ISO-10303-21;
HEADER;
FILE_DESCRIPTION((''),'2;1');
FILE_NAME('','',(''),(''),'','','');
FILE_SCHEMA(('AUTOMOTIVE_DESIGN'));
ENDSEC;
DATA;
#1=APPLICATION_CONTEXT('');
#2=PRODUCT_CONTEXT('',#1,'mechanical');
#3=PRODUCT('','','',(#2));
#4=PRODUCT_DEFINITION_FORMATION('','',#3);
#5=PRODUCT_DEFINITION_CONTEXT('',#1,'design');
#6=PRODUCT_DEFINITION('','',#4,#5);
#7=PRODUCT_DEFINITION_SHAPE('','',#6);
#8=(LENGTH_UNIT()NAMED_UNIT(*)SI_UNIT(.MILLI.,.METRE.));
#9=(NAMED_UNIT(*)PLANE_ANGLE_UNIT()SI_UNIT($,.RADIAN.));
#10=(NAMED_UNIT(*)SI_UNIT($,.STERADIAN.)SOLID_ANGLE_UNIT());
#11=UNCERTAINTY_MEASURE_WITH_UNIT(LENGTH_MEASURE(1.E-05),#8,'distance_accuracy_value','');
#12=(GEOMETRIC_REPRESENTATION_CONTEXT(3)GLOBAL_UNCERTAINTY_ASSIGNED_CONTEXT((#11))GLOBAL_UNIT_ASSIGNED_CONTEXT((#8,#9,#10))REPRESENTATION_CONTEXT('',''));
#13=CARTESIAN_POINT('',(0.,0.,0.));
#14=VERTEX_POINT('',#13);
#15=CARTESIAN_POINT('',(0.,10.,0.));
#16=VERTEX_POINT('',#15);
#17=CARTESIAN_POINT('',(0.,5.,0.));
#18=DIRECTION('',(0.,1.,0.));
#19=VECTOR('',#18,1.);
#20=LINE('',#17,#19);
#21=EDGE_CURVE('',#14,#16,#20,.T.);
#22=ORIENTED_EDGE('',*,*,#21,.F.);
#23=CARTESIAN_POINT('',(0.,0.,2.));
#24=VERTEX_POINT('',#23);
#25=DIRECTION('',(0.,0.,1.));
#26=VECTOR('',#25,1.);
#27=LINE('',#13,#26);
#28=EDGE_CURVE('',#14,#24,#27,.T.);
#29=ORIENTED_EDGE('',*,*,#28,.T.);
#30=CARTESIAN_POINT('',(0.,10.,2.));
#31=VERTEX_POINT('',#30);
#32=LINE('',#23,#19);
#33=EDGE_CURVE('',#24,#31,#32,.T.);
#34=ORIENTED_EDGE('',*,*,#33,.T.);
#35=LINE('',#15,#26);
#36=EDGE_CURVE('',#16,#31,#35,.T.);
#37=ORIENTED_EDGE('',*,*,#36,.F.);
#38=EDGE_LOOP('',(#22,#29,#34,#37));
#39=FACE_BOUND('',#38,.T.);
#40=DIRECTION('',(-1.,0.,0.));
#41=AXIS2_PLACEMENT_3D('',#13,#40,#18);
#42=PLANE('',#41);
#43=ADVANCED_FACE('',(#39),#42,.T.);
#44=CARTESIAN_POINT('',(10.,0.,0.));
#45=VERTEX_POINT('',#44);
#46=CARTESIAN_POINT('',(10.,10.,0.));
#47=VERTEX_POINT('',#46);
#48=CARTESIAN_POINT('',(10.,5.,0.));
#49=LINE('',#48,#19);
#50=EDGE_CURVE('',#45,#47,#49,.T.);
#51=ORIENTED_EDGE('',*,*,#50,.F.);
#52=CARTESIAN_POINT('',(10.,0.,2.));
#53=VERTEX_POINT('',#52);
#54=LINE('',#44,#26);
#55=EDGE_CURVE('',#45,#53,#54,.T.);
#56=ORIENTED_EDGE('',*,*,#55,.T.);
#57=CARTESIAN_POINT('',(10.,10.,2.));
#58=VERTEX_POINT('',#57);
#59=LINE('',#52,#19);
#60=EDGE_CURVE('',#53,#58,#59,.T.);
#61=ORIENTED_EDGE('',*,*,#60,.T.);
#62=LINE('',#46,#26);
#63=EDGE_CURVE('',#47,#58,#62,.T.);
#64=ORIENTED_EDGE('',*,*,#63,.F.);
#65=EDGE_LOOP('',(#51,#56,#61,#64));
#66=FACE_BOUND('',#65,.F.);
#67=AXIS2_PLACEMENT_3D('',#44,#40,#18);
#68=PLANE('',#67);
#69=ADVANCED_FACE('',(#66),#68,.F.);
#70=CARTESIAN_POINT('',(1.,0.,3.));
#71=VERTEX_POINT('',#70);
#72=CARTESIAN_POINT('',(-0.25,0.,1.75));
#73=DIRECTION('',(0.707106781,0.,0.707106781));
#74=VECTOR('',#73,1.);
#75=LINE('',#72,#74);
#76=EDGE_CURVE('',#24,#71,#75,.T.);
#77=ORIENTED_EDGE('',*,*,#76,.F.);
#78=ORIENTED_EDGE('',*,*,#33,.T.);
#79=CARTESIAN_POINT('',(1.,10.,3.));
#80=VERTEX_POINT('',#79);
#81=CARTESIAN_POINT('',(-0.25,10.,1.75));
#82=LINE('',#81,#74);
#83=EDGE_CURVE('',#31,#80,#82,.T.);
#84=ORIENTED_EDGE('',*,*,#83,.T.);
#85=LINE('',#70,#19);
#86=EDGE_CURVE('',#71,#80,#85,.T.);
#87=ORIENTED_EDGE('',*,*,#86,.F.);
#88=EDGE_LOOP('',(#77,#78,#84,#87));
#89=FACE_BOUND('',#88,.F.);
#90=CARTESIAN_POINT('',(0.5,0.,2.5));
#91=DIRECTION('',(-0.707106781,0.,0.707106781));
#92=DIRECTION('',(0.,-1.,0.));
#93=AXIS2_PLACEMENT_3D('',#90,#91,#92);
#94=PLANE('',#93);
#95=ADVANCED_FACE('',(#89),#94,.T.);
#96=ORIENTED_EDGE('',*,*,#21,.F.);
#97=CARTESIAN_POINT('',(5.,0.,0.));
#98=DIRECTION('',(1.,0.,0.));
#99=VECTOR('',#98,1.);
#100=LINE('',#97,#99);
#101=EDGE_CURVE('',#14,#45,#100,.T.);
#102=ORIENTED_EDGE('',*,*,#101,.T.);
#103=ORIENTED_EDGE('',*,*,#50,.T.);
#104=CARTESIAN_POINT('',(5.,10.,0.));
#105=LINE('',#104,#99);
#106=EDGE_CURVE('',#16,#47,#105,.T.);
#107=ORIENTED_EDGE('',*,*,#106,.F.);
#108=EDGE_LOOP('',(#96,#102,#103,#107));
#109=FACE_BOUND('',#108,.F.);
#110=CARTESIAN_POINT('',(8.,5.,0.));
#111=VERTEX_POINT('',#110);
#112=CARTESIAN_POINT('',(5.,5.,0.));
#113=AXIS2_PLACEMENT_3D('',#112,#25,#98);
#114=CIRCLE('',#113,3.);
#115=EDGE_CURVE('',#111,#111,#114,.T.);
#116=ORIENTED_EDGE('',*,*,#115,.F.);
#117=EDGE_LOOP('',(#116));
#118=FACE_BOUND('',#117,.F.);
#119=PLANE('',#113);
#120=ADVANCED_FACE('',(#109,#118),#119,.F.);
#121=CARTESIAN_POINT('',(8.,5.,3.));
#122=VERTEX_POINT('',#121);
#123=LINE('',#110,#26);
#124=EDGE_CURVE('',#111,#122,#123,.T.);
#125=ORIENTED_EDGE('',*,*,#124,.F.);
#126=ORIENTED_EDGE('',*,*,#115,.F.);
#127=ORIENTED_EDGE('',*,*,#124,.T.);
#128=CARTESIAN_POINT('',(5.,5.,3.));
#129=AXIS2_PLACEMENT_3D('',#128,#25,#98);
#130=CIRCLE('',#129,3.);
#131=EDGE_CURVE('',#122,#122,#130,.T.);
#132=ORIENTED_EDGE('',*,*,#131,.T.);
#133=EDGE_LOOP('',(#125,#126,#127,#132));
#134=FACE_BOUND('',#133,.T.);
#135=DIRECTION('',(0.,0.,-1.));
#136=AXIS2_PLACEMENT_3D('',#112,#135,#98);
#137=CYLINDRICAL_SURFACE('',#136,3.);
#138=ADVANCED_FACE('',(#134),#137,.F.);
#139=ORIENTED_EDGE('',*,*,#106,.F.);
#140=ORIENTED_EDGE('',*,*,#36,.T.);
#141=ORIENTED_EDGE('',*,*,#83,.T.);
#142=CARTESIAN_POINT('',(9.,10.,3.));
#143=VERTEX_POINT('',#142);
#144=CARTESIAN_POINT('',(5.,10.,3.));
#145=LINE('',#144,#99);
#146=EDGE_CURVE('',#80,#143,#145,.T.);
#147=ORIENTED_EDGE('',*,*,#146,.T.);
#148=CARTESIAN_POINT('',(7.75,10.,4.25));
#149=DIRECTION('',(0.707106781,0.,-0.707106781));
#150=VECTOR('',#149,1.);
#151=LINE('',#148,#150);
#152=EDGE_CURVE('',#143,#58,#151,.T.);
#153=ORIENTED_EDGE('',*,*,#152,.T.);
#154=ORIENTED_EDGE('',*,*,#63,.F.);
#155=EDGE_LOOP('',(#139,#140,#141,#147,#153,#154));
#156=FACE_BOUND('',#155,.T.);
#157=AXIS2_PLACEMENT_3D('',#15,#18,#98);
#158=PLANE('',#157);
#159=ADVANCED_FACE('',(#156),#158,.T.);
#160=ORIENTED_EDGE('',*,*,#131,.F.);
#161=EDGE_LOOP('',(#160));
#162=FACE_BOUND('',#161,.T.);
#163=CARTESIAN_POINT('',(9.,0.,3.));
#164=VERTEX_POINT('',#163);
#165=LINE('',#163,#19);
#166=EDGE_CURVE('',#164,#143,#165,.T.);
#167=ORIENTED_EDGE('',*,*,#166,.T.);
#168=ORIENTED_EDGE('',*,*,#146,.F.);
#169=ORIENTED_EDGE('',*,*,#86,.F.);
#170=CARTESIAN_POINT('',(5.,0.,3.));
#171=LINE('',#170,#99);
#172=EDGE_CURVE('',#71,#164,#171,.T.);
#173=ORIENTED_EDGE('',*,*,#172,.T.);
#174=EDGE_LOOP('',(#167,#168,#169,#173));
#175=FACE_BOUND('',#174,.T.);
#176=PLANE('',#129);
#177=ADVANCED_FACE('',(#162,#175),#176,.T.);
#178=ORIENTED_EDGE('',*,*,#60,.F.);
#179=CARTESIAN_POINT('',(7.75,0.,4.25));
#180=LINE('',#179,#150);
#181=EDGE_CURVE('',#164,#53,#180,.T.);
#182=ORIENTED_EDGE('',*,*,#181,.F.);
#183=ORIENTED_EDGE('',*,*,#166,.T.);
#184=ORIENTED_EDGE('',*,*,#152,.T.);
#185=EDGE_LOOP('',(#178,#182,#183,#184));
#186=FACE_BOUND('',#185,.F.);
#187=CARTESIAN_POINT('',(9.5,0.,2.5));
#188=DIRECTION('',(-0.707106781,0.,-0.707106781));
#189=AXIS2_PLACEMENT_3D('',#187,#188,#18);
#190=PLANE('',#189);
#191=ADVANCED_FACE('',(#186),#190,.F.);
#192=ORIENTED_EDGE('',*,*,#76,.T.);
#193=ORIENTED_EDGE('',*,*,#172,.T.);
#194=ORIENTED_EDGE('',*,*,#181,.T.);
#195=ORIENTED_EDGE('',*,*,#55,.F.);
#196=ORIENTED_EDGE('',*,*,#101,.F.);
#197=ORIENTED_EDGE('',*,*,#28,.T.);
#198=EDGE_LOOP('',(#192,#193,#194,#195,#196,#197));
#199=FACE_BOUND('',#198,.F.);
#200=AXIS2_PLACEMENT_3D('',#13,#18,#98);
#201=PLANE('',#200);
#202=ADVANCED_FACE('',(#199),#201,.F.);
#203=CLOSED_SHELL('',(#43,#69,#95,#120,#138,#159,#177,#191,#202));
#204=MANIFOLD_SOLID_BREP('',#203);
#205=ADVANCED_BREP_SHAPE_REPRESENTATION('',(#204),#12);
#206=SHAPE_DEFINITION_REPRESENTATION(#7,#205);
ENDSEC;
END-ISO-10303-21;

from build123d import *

# Parameters (mm, degrees)
SKETCH_W        = 10
SKETCH_H        = 10
SKETCH_R        = 3
PAD_DEPTH       = 3
CHAMFER_SIZE    = 1
CHAMFER001_SIZE = 1


with BuildPart() as part:
    # Sketch → Pad (new body)
    with BuildSketch(Plane.XY):
        with Locations((5, 5)):
            Rectangle(SKETCH_W, SKETCH_H)
        with Locations((5, 5)):
            Circle(SKETCH_R, mode=Mode.SUBTRACT)
    extrude(amount=PAD_DEPTH)

    # Chamfer
    chamfer_edges = [part.edges().sort_by_distance(p)[0] for p in [
        (0, 5, 3),
    ]]
    chamfer(chamfer_edges, length=CHAMFER_SIZE)

    # Chamfer001
    chamfer001_edges = [part.edges().sort_by_distance(p)[0] for p in [
        (10, 5, 3),
    ]]
    chamfer(chamfer001_edges, length=CHAMFER001_SIZE)


solid = part.part
